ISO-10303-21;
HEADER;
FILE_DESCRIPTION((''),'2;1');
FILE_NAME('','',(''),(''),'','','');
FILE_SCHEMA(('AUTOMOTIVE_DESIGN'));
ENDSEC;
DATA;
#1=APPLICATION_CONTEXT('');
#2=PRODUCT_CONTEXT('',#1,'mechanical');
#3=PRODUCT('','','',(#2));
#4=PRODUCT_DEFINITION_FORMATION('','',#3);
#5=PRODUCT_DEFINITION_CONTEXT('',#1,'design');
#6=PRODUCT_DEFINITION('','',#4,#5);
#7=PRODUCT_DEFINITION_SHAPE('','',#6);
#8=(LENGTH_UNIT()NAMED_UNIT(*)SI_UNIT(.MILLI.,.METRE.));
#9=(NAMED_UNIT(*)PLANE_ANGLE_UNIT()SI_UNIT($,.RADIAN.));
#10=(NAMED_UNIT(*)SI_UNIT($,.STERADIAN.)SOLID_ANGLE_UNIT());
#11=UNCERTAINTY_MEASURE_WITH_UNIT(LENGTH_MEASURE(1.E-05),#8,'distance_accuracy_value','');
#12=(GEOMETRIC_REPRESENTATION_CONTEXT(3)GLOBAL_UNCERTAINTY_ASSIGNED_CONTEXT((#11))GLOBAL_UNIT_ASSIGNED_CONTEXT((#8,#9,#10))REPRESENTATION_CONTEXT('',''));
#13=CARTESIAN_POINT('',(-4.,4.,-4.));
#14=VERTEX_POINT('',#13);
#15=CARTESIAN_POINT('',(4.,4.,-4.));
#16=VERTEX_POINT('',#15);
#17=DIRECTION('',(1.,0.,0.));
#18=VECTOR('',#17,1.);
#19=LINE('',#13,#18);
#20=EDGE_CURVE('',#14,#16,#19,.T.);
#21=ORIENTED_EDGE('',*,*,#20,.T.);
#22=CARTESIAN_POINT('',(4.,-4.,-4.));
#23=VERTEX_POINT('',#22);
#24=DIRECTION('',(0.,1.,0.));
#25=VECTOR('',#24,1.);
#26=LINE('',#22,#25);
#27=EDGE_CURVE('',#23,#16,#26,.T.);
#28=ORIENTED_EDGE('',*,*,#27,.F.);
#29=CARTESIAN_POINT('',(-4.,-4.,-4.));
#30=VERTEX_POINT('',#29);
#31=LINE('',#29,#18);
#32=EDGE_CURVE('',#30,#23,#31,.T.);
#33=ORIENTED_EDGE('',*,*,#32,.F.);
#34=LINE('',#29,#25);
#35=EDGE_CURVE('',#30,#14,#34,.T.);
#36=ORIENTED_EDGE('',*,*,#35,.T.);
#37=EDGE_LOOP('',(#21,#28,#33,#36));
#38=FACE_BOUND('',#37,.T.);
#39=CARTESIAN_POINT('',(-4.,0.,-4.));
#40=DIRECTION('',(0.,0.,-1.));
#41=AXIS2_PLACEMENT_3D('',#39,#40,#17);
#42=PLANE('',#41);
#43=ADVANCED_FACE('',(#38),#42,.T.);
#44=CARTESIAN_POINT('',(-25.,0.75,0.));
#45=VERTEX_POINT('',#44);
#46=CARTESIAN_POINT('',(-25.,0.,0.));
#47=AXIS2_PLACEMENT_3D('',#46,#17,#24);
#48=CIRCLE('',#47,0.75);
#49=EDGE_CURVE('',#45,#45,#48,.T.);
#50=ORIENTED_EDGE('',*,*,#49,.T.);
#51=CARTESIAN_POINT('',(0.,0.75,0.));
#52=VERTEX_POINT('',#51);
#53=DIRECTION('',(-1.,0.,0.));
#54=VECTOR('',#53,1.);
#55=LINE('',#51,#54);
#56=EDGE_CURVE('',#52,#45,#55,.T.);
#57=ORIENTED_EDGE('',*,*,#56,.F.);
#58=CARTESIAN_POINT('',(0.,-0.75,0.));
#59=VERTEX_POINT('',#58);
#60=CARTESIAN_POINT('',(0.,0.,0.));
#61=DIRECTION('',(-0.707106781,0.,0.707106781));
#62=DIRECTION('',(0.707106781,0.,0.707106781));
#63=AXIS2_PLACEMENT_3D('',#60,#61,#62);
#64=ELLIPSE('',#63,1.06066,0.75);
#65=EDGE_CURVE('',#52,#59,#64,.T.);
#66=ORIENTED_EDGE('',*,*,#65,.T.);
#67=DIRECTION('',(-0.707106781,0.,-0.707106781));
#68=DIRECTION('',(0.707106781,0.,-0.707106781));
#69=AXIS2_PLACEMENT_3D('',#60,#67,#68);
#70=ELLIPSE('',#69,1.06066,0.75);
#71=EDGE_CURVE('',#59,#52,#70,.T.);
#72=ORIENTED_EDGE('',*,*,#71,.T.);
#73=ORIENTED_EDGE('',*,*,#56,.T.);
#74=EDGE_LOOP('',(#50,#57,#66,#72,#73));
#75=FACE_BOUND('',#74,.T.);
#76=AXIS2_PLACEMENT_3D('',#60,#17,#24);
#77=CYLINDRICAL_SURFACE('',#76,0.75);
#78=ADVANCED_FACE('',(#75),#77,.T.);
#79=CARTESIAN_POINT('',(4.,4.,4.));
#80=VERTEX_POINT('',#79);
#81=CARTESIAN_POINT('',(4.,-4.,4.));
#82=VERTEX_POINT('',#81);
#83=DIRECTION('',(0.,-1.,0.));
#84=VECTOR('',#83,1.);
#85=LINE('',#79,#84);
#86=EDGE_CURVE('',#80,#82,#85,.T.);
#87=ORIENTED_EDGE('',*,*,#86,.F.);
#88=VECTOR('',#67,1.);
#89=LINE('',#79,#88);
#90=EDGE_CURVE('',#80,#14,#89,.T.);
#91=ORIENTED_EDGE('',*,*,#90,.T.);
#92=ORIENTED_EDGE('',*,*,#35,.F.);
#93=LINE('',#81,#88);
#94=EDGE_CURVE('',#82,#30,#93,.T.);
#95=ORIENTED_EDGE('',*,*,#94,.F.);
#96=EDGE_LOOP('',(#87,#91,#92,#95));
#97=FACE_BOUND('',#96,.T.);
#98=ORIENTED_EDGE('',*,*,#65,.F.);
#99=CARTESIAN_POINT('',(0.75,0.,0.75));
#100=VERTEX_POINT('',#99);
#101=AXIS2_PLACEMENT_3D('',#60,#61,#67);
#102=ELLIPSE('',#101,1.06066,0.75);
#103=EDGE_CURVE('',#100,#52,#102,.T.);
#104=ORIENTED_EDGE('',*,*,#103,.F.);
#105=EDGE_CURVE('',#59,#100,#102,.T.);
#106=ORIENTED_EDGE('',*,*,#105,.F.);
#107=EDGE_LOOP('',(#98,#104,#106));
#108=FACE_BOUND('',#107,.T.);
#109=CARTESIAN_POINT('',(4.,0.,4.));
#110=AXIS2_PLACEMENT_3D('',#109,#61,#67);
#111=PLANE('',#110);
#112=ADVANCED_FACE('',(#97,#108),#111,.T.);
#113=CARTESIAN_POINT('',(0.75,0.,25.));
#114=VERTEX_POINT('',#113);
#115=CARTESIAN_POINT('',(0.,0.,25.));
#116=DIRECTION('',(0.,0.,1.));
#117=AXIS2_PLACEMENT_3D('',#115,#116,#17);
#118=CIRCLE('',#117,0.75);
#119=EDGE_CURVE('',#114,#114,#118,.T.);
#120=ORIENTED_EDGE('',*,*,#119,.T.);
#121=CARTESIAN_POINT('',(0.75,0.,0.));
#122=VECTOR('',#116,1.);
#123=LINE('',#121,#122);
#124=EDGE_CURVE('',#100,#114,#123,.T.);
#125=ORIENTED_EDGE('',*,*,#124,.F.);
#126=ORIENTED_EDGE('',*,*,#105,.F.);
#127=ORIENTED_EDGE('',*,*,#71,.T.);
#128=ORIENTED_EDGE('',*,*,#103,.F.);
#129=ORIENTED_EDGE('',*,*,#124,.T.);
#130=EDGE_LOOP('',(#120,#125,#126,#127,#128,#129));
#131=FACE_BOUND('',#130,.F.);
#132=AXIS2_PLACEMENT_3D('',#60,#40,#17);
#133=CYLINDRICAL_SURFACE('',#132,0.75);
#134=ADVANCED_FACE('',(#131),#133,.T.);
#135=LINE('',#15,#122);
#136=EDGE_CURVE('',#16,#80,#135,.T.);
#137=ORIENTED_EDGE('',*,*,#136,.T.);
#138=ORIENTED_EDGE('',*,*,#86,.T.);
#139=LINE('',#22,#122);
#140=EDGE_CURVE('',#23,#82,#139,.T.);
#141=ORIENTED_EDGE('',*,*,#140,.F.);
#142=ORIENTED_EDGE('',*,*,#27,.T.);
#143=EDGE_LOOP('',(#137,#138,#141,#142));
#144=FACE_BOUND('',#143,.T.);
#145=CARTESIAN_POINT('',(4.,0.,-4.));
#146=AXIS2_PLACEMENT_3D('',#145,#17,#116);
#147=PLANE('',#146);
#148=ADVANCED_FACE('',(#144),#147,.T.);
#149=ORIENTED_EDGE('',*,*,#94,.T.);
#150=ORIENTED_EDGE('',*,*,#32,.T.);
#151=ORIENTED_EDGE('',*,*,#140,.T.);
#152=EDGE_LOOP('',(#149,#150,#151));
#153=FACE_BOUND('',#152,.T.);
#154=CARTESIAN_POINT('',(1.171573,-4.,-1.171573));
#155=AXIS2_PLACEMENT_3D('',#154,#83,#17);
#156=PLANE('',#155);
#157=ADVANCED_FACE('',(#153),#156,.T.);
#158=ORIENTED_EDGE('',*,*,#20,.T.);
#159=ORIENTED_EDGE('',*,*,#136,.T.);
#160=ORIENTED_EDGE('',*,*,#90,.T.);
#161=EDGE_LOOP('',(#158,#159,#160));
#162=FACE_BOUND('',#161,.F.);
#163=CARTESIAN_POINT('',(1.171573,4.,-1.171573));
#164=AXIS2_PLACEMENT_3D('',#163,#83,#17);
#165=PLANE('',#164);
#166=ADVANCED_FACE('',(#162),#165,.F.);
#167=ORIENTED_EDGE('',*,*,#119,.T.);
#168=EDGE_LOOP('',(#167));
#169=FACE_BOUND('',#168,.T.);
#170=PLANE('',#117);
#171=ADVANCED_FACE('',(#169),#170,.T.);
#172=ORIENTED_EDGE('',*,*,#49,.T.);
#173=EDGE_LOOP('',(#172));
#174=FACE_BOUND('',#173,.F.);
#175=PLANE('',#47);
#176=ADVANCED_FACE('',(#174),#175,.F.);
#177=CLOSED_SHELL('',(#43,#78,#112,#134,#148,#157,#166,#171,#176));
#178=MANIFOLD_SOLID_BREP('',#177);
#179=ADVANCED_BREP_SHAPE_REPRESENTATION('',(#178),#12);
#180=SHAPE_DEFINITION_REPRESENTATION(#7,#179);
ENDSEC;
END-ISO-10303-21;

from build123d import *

# Parameters (mm, degrees)
F1_DEPTH = 4
F2_R     = 0.75
F3_DEPTH = 25
F4_R     = 0.75
F5_DEPTH = 25


with BuildPart() as f1:
    # F0 (on Front) → F1 (new body, symmetric)
    with BuildSketch(Plane.XZ):
        Polygon((4, -4), (4, 4), (-4, -4), align=None)
    extrude(amount=F1_DEPTH, both=True)

    # F2 (on Top) → F3 (join)
    with BuildSketch(Plane.XY):
        Circle(F2_R)
    extrude(amount=F3_DEPTH)

    # F4 (on Right) → F5 (join)
    with BuildSketch(Plane.YZ):
        Circle(F4_R)
    extrude(amount=-F5_DEPTH)


solid = f1.part
